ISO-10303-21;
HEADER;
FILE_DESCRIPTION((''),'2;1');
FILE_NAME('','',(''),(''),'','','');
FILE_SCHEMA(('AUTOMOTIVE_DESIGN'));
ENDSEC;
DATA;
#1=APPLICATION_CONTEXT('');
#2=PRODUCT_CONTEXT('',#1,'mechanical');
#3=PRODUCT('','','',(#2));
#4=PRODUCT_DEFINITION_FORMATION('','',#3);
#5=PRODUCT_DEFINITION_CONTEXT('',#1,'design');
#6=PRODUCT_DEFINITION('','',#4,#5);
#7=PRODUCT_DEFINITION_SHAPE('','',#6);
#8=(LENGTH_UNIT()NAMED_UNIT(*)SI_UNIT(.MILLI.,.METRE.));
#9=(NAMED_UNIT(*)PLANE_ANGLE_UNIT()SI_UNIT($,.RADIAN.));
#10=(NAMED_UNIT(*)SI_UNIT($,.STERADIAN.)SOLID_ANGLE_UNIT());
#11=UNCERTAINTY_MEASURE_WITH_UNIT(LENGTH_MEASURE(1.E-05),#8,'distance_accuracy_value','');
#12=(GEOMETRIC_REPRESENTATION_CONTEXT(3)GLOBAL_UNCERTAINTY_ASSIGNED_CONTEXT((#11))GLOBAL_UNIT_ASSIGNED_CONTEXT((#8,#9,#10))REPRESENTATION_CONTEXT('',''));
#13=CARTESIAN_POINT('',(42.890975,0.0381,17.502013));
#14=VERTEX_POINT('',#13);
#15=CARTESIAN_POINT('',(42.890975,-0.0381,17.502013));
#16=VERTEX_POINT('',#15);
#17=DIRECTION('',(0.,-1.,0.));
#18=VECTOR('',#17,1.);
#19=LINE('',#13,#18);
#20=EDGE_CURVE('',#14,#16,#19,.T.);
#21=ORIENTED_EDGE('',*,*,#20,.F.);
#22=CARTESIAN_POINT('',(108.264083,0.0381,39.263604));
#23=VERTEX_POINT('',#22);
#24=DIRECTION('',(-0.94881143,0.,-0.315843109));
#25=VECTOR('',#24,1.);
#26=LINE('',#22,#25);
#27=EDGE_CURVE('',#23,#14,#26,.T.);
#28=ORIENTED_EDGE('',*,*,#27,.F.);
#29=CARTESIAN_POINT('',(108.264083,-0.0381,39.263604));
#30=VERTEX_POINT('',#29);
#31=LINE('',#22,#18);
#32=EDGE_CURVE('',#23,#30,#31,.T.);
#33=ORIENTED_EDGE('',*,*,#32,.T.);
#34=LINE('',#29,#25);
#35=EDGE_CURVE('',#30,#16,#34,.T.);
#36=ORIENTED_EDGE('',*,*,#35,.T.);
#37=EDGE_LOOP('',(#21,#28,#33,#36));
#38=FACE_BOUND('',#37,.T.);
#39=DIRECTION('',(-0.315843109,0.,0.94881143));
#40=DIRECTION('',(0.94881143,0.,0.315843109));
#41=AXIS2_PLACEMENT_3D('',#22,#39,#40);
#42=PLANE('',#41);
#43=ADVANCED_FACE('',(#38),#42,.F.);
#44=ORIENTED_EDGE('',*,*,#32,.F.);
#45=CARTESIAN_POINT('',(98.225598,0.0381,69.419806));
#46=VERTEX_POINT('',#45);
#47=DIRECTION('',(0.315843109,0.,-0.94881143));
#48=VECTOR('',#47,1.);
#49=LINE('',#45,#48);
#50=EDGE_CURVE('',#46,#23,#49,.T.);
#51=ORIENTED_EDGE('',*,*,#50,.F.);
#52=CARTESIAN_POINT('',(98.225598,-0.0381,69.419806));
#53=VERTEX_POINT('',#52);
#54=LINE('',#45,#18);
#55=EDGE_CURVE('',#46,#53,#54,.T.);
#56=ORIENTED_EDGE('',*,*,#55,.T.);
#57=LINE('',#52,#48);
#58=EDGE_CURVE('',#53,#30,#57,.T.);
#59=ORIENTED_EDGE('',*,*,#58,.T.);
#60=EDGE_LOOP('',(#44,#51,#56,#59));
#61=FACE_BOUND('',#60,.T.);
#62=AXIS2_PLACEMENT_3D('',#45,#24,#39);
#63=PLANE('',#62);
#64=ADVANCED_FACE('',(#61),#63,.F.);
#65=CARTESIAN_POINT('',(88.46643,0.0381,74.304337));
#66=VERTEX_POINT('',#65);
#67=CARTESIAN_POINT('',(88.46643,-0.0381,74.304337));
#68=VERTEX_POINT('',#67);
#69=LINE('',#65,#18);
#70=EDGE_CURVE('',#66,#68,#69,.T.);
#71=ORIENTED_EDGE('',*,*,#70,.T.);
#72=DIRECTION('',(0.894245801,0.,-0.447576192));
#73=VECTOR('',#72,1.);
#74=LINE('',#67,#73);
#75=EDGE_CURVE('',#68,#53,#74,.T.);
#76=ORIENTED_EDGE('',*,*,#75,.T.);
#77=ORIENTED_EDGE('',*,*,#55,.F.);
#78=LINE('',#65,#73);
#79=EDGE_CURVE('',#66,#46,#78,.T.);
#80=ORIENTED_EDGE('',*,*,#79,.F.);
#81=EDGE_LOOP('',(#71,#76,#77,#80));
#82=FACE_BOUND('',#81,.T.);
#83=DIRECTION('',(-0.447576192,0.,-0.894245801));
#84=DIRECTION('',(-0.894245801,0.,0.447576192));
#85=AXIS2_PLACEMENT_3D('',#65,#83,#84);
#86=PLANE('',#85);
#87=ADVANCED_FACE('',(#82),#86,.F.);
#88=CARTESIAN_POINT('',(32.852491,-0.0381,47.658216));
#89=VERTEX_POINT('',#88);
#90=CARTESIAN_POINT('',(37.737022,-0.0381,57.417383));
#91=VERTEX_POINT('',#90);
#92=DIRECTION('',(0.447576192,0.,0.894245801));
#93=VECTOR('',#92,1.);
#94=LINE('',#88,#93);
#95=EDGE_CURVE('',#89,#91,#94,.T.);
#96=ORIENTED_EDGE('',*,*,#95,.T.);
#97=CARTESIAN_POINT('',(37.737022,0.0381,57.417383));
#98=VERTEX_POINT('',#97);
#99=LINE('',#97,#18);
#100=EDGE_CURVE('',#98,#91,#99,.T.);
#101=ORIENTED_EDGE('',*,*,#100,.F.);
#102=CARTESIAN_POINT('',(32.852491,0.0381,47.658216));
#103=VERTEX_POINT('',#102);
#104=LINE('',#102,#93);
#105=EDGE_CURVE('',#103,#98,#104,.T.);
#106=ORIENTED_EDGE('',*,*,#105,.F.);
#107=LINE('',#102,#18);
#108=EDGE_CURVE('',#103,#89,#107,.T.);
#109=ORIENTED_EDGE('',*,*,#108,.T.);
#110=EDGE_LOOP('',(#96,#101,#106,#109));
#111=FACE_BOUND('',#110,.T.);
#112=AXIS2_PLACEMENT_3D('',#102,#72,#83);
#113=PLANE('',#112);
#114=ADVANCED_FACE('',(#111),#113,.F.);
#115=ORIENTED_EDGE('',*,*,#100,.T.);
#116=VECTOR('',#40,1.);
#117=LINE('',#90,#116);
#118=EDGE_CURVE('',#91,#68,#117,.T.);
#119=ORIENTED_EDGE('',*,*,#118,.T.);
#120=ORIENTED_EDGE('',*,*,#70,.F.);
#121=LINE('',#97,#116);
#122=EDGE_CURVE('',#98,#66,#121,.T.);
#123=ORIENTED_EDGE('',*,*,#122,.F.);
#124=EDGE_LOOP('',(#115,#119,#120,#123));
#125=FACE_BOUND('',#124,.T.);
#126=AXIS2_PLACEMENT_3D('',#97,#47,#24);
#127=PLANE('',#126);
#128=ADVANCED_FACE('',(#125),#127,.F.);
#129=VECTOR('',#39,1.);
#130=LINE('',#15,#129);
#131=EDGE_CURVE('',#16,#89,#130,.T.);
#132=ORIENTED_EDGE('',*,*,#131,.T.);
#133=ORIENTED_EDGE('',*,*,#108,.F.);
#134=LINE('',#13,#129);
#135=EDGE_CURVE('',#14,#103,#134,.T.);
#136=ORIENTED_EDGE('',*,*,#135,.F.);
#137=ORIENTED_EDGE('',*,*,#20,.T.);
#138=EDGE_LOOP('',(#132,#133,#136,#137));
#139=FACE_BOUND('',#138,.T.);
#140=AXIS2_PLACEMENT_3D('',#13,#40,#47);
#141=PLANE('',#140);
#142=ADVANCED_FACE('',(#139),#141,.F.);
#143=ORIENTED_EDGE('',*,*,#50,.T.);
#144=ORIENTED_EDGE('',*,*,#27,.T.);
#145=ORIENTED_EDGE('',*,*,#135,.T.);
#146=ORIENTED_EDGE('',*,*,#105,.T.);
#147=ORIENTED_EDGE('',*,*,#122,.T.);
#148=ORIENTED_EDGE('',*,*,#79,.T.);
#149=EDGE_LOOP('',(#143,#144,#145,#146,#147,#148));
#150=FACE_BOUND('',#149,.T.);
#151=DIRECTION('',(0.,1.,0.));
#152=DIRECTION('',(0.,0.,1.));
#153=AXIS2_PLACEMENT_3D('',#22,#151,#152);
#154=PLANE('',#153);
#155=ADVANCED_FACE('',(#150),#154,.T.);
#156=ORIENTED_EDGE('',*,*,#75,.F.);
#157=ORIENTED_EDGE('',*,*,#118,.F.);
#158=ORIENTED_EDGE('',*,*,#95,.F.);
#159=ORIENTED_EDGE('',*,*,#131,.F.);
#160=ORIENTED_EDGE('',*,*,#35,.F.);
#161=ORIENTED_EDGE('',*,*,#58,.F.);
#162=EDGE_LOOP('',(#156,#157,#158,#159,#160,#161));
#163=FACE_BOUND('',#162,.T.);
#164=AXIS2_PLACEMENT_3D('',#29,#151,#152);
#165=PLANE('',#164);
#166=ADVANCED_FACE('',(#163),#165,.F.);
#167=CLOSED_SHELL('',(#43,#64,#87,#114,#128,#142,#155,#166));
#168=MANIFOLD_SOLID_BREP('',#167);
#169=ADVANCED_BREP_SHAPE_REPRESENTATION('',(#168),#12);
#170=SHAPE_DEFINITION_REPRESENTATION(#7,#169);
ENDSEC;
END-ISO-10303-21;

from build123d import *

# Parameters (mm, degrees)
COVERGLASS_DEPTH = 0.0381


with BuildPart() as part:
    # Sketch1 → Coverglass (new, symmetric)
    with BuildSketch(Plane(origin=(0, 0, 0), x_dir=(1, 0, 0), z_dir=(0, 1, 0))):
        Polygon((108.264082638, -39.263603606), (42.890975081, -17.5020134), (32.852490799, -47.658215516), (37.737021663, -57.417383424), (88.46643045, -74.304336586), (98.225598357, -69.419805722), align=None)
    extrude(amount=COVERGLASS_DEPTH, both=True)


solid = part.part
